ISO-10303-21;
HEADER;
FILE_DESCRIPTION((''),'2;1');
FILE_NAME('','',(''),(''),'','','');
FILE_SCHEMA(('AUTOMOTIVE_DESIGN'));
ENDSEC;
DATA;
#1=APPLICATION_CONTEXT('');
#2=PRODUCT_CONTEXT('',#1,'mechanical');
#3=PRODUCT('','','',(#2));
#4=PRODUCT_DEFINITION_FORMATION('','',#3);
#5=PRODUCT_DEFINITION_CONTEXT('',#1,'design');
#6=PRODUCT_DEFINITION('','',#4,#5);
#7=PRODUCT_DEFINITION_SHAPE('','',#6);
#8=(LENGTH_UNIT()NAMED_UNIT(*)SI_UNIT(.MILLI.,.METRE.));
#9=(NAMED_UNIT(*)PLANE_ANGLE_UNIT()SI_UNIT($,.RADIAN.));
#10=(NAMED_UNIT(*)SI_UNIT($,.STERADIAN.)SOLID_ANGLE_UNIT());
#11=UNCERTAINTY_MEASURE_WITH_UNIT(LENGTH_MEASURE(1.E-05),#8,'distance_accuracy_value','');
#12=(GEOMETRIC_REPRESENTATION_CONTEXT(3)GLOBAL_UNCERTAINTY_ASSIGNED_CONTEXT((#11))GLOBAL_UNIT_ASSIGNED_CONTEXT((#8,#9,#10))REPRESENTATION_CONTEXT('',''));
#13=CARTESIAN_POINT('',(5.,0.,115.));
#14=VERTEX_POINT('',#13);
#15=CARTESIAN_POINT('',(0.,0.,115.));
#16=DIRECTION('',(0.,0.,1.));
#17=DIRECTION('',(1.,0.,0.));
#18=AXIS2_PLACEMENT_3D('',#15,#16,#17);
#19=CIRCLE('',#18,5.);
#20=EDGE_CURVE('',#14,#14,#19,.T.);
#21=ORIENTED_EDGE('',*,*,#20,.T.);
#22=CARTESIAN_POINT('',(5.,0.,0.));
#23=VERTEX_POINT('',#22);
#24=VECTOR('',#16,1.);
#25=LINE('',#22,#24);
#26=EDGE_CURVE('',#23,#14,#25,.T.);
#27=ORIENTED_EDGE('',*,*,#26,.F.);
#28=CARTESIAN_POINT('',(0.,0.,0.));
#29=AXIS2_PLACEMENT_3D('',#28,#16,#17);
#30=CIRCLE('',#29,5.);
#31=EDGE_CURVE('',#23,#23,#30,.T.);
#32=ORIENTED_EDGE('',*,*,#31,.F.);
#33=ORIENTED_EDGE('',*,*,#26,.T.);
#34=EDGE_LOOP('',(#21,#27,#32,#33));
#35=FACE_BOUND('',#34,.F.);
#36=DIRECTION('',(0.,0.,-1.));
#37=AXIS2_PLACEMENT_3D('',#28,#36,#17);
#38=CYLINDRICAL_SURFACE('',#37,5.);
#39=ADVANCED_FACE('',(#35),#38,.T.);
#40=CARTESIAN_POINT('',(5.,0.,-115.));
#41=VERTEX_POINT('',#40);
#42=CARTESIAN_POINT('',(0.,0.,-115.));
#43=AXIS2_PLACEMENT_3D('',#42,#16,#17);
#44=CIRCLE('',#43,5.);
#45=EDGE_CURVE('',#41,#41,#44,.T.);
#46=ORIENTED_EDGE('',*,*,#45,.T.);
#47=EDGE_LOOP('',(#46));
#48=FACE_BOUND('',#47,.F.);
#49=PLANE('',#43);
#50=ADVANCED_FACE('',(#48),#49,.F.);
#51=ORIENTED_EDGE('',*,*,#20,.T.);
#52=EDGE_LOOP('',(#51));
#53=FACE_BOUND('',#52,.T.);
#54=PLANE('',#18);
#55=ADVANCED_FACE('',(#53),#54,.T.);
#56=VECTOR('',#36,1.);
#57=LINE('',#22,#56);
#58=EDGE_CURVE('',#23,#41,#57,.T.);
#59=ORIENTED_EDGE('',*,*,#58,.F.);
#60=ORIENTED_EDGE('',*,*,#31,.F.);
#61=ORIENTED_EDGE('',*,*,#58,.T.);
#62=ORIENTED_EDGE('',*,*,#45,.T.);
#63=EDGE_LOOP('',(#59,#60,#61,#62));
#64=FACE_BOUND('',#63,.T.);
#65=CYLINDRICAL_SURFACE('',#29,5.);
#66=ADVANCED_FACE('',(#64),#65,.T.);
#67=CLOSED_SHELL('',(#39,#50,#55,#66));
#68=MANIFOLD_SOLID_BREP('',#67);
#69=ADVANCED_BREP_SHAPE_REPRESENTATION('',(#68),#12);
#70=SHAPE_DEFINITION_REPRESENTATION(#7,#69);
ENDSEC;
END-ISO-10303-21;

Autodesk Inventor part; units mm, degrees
ref_plane "YZ Plane" through (0, 0, 0) normal (1, 0, 0) x (0, 1, 0)
ref_plane "XZ Plane" through (0, 0, 0) normal (0, 1, 0) x (-1, 0, 0)
sketch "スケッチ1" plane through (0, 0, 0) normal (0, 0, 1) x (1, 0, 0)
  circle A0 centre (0, 0) radius 5
  dimension "d0" = 10
extrude "押し出し1" add sketch "スケッチ1" along normal mid plane 230
properties part number "軸10mm"
